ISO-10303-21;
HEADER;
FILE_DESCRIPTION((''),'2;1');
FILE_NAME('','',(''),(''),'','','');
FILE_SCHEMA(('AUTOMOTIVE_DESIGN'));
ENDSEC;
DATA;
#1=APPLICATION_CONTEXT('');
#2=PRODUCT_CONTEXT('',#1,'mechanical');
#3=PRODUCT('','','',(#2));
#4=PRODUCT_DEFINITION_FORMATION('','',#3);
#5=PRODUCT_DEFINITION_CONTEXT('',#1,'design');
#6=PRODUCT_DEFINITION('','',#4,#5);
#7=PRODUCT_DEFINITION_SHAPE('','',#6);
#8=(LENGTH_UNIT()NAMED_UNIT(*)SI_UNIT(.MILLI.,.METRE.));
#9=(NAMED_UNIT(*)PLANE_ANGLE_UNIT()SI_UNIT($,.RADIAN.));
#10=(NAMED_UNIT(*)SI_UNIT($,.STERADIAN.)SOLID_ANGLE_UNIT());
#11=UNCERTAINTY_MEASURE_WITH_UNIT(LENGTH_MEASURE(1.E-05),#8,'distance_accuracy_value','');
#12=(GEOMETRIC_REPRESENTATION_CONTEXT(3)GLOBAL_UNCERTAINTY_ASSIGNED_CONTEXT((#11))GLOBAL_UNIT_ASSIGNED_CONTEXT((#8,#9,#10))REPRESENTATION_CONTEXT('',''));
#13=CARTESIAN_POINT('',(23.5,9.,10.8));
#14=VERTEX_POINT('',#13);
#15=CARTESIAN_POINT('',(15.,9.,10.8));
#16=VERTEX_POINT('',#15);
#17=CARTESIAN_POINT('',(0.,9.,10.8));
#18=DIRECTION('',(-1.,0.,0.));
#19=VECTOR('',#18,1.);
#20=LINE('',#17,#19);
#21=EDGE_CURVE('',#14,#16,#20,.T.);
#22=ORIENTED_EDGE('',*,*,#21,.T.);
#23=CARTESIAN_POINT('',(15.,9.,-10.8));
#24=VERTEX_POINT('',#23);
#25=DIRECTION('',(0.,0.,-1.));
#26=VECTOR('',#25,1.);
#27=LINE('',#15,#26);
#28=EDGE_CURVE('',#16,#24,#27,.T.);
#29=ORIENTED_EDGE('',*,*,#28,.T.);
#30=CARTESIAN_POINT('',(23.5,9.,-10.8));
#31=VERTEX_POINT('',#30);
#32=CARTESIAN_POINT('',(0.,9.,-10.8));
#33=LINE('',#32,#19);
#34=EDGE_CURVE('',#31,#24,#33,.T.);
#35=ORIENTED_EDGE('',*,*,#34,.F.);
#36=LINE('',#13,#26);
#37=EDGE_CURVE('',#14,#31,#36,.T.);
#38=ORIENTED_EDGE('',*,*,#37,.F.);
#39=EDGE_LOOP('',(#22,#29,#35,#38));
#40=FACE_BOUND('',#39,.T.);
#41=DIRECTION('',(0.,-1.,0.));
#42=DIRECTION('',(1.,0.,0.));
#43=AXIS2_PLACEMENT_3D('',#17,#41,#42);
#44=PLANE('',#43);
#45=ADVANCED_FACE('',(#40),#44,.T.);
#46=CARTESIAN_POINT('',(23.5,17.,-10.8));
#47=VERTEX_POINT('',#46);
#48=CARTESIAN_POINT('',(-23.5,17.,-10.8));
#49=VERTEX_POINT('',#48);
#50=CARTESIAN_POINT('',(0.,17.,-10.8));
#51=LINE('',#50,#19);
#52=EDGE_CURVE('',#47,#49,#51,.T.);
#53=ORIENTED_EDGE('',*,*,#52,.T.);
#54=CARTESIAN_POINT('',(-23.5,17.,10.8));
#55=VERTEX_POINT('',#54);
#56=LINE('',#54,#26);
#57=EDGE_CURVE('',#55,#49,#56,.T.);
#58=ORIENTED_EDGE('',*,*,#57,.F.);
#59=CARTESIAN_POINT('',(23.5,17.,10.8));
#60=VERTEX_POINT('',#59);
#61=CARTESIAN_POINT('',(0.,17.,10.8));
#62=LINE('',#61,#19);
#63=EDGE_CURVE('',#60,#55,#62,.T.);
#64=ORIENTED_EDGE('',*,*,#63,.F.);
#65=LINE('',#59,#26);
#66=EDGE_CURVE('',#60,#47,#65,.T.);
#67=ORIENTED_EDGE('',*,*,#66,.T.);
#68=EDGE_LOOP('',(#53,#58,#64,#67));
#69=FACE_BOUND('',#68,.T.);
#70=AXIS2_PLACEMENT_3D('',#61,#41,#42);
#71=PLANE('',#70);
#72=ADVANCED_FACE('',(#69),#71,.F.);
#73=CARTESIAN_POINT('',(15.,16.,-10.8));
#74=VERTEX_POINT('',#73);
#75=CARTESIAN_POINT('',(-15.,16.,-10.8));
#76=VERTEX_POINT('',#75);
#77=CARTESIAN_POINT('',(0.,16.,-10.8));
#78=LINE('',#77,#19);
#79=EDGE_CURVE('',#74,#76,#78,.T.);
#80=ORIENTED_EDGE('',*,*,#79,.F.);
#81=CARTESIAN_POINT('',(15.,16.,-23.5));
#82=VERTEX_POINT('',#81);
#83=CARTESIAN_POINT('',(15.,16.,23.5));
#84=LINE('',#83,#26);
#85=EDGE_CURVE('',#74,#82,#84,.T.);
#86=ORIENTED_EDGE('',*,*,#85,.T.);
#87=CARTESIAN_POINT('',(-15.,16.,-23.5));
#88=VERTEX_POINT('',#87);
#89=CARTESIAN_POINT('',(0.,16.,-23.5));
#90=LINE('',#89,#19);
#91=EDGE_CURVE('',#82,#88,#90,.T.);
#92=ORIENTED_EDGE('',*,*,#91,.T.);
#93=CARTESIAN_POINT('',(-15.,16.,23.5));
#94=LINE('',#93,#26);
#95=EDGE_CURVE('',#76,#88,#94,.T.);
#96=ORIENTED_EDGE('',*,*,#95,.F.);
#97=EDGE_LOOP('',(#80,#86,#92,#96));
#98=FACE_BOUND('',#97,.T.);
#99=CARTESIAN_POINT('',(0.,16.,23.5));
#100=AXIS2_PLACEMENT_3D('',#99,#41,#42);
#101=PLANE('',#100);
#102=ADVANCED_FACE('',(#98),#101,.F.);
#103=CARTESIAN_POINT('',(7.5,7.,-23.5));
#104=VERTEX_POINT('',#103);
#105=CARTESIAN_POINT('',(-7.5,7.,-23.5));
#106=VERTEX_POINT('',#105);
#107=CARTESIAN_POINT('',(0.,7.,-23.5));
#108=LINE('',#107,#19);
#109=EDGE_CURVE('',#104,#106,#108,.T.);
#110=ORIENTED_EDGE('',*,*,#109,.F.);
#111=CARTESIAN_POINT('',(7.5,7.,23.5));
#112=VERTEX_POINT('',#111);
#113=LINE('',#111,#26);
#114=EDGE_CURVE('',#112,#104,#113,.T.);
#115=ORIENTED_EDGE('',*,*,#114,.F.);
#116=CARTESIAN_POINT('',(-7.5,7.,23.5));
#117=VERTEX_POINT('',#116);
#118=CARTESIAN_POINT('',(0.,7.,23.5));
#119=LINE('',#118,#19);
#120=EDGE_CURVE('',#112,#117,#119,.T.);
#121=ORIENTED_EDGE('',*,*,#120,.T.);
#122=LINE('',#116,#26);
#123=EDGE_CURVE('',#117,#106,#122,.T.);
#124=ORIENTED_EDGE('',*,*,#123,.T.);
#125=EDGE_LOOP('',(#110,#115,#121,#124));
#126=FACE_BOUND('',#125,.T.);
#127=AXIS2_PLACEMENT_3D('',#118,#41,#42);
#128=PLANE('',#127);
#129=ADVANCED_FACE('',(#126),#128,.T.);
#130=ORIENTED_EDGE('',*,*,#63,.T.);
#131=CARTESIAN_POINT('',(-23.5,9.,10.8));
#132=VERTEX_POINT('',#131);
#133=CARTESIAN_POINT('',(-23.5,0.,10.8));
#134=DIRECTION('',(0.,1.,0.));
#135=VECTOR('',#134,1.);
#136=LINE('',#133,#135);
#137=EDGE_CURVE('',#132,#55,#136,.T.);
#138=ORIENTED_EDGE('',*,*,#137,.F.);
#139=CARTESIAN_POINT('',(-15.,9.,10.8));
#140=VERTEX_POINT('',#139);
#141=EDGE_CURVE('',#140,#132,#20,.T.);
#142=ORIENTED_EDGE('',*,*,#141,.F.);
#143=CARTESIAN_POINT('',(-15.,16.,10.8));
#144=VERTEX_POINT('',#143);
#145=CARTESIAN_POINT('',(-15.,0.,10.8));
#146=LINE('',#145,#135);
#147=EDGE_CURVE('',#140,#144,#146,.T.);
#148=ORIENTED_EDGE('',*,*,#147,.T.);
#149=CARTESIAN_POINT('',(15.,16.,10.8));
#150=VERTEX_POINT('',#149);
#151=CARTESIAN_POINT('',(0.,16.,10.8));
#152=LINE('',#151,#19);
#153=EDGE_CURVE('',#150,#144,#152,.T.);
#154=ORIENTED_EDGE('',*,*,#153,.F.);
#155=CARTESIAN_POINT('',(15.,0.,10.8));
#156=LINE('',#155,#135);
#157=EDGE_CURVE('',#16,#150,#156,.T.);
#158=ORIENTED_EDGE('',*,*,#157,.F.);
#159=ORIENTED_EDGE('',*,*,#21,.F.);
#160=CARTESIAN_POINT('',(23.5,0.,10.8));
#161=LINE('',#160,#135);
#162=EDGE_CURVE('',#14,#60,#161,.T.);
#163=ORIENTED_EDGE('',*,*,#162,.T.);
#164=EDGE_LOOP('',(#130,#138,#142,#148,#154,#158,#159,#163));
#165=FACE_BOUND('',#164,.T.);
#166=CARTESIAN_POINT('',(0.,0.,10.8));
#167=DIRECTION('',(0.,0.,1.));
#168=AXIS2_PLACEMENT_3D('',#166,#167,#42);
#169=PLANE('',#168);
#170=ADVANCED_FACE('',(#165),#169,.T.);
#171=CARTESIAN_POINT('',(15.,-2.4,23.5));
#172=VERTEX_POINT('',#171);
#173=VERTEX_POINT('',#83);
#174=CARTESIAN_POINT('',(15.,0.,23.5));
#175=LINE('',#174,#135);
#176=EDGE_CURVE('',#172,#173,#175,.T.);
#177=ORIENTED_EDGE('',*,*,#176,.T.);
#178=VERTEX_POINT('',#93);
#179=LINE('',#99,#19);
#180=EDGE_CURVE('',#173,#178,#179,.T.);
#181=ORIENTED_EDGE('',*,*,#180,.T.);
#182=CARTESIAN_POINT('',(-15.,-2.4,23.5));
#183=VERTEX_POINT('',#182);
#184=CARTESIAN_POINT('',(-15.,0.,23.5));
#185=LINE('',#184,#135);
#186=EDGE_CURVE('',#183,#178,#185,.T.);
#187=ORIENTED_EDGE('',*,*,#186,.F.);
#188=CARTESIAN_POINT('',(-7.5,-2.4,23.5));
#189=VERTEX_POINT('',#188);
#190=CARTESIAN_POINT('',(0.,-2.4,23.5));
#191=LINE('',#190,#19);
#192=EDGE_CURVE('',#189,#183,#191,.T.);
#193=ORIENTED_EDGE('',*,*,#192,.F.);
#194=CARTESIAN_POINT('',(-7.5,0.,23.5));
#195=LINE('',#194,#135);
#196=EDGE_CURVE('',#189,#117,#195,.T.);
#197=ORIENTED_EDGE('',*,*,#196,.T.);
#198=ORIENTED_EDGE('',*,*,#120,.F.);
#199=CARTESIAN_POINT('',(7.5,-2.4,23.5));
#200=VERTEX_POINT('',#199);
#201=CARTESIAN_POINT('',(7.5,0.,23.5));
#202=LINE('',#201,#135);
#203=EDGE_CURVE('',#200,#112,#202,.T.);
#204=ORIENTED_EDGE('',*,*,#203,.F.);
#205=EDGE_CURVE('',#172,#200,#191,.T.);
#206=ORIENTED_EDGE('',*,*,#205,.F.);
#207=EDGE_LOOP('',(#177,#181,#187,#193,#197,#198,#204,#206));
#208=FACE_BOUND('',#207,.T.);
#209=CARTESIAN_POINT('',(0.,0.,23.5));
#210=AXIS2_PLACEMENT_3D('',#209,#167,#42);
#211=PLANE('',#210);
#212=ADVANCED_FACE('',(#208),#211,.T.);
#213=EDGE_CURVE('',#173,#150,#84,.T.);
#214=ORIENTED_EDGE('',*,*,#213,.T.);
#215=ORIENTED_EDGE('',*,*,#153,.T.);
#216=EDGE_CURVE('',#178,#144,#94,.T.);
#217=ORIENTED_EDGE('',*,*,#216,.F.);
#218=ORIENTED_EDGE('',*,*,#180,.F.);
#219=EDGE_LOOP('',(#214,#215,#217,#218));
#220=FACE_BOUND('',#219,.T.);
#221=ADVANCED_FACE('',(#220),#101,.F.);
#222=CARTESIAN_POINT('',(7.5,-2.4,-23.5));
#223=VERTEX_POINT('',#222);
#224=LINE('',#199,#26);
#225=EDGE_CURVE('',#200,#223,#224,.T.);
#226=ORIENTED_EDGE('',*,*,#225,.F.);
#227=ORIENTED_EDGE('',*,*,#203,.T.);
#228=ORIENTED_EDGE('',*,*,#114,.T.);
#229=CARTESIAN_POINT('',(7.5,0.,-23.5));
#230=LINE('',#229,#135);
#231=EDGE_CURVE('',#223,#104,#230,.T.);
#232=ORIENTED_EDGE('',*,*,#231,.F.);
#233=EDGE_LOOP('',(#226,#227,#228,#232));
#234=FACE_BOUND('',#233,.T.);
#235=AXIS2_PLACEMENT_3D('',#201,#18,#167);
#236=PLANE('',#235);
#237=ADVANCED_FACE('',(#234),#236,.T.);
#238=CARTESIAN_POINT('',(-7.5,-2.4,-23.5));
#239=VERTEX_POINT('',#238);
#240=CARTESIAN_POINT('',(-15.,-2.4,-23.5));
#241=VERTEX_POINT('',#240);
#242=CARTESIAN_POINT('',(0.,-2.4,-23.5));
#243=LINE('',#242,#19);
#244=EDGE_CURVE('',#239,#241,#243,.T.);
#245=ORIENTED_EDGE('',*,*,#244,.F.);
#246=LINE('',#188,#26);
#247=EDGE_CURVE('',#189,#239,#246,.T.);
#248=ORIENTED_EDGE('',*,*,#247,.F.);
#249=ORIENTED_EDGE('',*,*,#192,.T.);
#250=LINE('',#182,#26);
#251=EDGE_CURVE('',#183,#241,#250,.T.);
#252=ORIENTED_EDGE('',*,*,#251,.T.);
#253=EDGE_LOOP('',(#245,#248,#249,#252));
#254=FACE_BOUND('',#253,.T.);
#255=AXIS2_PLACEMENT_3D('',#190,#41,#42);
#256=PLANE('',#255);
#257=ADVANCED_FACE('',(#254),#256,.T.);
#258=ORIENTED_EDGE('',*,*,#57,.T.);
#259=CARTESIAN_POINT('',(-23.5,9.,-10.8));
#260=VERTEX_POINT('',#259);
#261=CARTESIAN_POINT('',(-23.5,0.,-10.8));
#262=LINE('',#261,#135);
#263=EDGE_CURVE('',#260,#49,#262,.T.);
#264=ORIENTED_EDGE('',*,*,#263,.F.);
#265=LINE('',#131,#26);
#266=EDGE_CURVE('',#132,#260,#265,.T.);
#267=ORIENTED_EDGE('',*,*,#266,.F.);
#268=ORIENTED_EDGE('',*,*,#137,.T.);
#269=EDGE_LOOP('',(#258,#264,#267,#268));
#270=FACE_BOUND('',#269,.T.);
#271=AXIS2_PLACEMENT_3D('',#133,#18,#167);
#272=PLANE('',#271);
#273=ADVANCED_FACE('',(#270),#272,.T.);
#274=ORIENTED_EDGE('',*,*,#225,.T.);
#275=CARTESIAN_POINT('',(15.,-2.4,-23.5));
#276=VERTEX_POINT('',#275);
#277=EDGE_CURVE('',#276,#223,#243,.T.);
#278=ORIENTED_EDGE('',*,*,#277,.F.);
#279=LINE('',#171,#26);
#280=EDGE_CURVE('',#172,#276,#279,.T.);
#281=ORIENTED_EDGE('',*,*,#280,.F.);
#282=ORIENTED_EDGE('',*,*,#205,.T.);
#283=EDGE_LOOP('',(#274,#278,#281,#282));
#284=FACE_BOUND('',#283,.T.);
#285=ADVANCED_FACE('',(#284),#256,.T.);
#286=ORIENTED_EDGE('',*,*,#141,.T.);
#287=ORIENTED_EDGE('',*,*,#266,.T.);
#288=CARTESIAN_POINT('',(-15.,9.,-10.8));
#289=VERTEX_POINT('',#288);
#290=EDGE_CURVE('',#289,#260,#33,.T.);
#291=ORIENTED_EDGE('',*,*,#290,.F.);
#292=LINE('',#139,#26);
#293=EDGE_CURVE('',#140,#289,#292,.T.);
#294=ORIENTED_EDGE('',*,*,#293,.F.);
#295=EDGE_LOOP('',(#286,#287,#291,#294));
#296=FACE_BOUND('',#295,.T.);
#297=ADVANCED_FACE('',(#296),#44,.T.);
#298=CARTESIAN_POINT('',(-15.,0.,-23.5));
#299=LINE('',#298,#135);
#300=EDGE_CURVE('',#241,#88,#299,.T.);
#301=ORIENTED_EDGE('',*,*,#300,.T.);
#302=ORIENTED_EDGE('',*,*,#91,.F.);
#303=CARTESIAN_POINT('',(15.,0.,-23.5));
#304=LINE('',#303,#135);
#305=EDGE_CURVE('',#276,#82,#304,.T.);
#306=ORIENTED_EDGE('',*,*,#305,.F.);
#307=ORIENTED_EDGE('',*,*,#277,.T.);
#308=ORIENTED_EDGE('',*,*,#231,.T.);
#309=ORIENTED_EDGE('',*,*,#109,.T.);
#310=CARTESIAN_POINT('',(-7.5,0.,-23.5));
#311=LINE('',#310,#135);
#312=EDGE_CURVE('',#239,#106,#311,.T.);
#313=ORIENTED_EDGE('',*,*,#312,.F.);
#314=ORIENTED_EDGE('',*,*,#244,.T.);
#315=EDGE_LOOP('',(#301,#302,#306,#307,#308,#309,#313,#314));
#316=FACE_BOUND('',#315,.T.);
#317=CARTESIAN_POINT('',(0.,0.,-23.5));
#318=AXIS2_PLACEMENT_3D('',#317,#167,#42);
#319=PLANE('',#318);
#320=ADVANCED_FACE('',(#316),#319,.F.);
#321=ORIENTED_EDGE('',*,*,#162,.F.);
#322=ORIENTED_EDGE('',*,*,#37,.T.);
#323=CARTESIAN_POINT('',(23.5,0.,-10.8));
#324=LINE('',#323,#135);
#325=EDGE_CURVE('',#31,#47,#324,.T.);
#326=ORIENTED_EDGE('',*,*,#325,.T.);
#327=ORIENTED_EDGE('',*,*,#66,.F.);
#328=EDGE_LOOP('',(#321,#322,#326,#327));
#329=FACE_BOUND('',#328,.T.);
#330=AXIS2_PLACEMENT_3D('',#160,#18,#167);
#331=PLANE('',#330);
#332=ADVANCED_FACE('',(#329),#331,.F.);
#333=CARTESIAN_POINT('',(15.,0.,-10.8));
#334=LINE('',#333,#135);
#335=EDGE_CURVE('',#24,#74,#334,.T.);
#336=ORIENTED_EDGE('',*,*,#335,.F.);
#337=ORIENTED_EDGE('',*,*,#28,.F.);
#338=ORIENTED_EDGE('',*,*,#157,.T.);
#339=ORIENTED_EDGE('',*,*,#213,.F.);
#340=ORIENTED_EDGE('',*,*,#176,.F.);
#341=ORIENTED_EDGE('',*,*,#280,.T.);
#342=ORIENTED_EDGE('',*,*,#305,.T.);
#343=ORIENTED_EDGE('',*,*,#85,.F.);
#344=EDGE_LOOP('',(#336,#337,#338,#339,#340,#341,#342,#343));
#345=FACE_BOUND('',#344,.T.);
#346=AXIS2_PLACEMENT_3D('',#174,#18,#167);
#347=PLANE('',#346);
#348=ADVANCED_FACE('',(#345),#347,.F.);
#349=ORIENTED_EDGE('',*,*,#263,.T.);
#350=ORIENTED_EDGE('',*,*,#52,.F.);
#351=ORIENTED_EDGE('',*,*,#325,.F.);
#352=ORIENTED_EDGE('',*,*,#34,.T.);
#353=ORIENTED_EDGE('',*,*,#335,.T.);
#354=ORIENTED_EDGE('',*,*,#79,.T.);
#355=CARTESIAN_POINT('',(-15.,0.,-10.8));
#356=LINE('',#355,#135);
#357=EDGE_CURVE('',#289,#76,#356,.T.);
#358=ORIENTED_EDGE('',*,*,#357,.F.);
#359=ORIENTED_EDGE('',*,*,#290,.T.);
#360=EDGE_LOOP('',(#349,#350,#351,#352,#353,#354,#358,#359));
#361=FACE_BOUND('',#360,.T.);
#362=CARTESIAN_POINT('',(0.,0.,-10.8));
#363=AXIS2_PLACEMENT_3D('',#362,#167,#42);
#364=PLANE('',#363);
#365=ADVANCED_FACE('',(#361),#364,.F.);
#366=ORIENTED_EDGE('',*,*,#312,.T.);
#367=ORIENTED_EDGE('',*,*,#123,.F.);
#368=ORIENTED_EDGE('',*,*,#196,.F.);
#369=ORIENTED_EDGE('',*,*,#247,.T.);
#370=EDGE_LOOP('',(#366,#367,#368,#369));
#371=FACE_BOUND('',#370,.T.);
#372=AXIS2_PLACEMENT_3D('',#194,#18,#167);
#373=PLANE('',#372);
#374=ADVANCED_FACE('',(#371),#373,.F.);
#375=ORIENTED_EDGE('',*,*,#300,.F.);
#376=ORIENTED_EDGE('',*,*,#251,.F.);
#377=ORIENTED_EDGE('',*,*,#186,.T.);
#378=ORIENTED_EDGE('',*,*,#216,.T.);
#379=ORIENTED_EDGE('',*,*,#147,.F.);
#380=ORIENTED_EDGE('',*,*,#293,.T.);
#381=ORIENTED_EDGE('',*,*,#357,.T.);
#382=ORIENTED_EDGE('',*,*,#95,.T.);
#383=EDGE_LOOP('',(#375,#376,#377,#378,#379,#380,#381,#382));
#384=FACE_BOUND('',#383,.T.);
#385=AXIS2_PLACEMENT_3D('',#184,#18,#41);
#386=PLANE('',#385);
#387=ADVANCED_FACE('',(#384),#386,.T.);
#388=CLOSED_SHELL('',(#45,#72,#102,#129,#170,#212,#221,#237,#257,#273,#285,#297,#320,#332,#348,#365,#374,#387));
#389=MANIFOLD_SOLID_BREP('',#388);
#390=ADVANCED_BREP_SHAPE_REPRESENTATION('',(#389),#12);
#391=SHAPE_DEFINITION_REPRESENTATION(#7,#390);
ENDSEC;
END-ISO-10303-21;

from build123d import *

# Parameters (mm, degrees)
BOSS_EXTRUDE1_DEPTH = 23.5
BOSS_EXTRUDE2_DEPTH = 10.8


with BuildPart() as part:
    # Sketch1 → Boss-Extrude1 (new, symmetric)
    with BuildSketch(Plane.XY):
        Polygon((7.5, 7), (7.5, -2.4), (15, -2.4), (15, 16), (-15, 16), (-15, -2.4), (-7.5, -2.4), (-7.5, 7), align=None)
    extrude(amount=BOSS_EXTRUDE1_DEPTH, both=True)

    # Sketch1<3> → Boss-Extrude2 (add, symmetric)
    with BuildSketch(Plane.XY):
        Polygon((15, 16), (15, 9), (23.5, 9), (23.5, 17), (-23.5, 17), (-23.5, 9), (-15, 9), (-15, 16), align=None)
    extrude(amount=BOSS_EXTRUDE2_DEPTH, both=True)


solid = part.part
